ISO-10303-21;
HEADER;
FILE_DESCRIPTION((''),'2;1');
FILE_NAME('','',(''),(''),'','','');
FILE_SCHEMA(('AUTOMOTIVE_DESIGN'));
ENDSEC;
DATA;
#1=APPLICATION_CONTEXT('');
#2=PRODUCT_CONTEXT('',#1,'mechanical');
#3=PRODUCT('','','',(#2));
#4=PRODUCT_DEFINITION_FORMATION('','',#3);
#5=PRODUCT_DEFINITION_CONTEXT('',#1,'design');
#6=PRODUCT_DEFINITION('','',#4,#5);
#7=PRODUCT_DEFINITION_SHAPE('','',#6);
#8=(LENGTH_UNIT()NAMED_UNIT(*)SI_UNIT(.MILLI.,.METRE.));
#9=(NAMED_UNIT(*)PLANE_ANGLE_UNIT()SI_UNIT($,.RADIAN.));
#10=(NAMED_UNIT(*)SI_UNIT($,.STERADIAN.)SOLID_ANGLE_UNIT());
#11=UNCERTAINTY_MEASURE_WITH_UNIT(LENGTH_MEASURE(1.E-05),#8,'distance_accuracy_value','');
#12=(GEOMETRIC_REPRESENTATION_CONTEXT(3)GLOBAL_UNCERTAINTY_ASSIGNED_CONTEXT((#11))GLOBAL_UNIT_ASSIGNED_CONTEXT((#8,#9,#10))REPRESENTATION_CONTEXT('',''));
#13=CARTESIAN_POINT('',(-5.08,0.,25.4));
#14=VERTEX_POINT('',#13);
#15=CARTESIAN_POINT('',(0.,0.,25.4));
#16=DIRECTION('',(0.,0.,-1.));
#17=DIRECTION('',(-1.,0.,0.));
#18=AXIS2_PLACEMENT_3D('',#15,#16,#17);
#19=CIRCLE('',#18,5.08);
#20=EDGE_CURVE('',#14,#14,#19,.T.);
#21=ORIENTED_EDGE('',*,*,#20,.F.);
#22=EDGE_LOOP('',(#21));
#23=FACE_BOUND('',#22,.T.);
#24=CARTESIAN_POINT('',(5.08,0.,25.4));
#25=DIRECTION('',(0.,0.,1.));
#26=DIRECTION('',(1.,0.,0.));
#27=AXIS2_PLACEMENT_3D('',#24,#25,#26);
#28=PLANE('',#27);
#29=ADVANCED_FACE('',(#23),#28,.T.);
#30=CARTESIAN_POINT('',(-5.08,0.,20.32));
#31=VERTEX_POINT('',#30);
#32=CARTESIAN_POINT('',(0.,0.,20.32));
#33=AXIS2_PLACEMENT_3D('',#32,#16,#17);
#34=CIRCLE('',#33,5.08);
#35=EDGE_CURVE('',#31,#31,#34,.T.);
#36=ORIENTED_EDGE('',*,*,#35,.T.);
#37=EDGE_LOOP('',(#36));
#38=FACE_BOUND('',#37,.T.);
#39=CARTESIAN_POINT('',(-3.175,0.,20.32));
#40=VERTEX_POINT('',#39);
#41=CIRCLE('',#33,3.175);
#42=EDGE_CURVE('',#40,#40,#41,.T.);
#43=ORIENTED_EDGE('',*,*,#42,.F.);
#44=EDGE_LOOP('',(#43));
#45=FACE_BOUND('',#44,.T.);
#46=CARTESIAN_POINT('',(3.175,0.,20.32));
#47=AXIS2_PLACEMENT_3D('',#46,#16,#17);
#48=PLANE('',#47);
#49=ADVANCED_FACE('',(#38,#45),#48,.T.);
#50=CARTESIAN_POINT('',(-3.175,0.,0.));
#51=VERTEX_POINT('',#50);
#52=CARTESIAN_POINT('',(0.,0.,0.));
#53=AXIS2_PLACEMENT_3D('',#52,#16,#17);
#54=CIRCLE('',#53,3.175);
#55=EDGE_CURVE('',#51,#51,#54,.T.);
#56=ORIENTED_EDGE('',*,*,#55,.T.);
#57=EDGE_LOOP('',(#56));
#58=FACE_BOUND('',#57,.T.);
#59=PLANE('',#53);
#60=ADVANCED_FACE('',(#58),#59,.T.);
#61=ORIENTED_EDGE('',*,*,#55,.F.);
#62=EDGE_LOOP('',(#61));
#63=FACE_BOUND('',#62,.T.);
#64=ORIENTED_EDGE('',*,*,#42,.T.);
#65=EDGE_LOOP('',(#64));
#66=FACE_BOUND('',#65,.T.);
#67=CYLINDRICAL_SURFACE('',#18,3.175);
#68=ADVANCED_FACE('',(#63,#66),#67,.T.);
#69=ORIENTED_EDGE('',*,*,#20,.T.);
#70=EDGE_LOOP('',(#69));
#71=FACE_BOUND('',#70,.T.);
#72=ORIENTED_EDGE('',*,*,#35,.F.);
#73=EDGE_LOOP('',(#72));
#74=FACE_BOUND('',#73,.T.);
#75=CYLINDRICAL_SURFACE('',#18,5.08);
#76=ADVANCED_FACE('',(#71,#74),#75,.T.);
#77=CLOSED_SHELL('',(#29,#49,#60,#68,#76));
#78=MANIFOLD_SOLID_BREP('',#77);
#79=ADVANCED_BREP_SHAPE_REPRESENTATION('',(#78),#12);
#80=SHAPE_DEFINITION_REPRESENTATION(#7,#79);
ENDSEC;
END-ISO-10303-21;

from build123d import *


with BuildPart() as part:
    # Sketch1 → Revolve1 (revolve)
    with BuildSketch(Plane.XZ, mode=Mode.PRIVATE) as revolve1_sk:
        Polygon((5.08, 25.4), (0, 25.4), (0, 0), (3.175, 0), (3.175, 20.32), (5.08, 20.32), align=None)
    revolve(revolve1_sk.sketch.rotate(Axis((0, 0, 25.4), (0, 0, -1)), 180), axis=Axis((0, 0, 25.4), (0, 0, -1)))


solid = part.part
